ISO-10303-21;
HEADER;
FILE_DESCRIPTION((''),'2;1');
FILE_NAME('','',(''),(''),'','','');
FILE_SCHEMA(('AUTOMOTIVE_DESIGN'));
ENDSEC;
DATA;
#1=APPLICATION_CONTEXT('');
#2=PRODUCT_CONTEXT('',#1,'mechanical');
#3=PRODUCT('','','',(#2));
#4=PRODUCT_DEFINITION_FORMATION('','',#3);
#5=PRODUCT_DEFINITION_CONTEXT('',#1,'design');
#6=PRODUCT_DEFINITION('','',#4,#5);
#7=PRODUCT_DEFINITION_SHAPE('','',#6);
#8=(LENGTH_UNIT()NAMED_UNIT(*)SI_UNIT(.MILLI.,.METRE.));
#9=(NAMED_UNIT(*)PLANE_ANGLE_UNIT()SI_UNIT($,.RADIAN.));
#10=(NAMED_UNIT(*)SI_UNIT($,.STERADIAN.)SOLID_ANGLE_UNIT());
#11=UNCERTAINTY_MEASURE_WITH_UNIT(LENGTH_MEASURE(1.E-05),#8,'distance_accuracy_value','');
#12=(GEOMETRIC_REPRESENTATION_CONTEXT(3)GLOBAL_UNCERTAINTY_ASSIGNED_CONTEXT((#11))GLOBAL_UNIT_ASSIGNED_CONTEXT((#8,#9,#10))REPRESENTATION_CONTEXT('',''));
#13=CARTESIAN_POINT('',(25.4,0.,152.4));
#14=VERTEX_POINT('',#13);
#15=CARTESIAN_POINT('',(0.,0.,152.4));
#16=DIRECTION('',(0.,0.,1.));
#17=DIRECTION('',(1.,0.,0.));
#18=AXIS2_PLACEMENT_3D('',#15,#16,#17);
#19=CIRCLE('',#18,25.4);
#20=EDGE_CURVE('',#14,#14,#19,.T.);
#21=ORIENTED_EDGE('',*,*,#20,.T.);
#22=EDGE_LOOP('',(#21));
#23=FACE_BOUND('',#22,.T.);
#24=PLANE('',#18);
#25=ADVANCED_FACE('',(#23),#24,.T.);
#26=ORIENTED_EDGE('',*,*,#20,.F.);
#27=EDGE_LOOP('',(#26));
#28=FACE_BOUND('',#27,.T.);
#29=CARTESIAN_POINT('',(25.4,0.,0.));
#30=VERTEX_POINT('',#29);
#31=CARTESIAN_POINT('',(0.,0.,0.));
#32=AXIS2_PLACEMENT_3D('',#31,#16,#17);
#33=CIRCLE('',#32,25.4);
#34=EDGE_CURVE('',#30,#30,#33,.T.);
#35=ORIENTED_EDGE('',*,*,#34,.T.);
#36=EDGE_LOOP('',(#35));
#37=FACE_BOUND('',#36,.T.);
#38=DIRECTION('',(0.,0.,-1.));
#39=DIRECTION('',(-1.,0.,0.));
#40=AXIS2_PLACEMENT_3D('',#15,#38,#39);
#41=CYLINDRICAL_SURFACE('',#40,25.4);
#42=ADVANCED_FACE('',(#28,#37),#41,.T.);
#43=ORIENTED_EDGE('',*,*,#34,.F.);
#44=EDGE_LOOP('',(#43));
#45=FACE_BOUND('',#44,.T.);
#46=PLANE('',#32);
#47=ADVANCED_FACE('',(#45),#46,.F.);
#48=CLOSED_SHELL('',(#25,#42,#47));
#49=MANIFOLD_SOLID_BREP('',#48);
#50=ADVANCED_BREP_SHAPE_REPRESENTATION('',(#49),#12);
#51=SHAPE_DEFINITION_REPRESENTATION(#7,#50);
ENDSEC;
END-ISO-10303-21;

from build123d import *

# Parameters (mm, degrees)
SKETCH1_R           = 25.4
BOSS_EXTRUDE1_DEPTH = 152.4


with BuildPart() as part:
    # Sketch1 → Boss-Extrude1 (new body)
    with BuildSketch(Plane.XY):
        Circle(SKETCH1_R)
    extrude(amount=BOSS_EXTRUDE1_DEPTH)


solid = part.part
